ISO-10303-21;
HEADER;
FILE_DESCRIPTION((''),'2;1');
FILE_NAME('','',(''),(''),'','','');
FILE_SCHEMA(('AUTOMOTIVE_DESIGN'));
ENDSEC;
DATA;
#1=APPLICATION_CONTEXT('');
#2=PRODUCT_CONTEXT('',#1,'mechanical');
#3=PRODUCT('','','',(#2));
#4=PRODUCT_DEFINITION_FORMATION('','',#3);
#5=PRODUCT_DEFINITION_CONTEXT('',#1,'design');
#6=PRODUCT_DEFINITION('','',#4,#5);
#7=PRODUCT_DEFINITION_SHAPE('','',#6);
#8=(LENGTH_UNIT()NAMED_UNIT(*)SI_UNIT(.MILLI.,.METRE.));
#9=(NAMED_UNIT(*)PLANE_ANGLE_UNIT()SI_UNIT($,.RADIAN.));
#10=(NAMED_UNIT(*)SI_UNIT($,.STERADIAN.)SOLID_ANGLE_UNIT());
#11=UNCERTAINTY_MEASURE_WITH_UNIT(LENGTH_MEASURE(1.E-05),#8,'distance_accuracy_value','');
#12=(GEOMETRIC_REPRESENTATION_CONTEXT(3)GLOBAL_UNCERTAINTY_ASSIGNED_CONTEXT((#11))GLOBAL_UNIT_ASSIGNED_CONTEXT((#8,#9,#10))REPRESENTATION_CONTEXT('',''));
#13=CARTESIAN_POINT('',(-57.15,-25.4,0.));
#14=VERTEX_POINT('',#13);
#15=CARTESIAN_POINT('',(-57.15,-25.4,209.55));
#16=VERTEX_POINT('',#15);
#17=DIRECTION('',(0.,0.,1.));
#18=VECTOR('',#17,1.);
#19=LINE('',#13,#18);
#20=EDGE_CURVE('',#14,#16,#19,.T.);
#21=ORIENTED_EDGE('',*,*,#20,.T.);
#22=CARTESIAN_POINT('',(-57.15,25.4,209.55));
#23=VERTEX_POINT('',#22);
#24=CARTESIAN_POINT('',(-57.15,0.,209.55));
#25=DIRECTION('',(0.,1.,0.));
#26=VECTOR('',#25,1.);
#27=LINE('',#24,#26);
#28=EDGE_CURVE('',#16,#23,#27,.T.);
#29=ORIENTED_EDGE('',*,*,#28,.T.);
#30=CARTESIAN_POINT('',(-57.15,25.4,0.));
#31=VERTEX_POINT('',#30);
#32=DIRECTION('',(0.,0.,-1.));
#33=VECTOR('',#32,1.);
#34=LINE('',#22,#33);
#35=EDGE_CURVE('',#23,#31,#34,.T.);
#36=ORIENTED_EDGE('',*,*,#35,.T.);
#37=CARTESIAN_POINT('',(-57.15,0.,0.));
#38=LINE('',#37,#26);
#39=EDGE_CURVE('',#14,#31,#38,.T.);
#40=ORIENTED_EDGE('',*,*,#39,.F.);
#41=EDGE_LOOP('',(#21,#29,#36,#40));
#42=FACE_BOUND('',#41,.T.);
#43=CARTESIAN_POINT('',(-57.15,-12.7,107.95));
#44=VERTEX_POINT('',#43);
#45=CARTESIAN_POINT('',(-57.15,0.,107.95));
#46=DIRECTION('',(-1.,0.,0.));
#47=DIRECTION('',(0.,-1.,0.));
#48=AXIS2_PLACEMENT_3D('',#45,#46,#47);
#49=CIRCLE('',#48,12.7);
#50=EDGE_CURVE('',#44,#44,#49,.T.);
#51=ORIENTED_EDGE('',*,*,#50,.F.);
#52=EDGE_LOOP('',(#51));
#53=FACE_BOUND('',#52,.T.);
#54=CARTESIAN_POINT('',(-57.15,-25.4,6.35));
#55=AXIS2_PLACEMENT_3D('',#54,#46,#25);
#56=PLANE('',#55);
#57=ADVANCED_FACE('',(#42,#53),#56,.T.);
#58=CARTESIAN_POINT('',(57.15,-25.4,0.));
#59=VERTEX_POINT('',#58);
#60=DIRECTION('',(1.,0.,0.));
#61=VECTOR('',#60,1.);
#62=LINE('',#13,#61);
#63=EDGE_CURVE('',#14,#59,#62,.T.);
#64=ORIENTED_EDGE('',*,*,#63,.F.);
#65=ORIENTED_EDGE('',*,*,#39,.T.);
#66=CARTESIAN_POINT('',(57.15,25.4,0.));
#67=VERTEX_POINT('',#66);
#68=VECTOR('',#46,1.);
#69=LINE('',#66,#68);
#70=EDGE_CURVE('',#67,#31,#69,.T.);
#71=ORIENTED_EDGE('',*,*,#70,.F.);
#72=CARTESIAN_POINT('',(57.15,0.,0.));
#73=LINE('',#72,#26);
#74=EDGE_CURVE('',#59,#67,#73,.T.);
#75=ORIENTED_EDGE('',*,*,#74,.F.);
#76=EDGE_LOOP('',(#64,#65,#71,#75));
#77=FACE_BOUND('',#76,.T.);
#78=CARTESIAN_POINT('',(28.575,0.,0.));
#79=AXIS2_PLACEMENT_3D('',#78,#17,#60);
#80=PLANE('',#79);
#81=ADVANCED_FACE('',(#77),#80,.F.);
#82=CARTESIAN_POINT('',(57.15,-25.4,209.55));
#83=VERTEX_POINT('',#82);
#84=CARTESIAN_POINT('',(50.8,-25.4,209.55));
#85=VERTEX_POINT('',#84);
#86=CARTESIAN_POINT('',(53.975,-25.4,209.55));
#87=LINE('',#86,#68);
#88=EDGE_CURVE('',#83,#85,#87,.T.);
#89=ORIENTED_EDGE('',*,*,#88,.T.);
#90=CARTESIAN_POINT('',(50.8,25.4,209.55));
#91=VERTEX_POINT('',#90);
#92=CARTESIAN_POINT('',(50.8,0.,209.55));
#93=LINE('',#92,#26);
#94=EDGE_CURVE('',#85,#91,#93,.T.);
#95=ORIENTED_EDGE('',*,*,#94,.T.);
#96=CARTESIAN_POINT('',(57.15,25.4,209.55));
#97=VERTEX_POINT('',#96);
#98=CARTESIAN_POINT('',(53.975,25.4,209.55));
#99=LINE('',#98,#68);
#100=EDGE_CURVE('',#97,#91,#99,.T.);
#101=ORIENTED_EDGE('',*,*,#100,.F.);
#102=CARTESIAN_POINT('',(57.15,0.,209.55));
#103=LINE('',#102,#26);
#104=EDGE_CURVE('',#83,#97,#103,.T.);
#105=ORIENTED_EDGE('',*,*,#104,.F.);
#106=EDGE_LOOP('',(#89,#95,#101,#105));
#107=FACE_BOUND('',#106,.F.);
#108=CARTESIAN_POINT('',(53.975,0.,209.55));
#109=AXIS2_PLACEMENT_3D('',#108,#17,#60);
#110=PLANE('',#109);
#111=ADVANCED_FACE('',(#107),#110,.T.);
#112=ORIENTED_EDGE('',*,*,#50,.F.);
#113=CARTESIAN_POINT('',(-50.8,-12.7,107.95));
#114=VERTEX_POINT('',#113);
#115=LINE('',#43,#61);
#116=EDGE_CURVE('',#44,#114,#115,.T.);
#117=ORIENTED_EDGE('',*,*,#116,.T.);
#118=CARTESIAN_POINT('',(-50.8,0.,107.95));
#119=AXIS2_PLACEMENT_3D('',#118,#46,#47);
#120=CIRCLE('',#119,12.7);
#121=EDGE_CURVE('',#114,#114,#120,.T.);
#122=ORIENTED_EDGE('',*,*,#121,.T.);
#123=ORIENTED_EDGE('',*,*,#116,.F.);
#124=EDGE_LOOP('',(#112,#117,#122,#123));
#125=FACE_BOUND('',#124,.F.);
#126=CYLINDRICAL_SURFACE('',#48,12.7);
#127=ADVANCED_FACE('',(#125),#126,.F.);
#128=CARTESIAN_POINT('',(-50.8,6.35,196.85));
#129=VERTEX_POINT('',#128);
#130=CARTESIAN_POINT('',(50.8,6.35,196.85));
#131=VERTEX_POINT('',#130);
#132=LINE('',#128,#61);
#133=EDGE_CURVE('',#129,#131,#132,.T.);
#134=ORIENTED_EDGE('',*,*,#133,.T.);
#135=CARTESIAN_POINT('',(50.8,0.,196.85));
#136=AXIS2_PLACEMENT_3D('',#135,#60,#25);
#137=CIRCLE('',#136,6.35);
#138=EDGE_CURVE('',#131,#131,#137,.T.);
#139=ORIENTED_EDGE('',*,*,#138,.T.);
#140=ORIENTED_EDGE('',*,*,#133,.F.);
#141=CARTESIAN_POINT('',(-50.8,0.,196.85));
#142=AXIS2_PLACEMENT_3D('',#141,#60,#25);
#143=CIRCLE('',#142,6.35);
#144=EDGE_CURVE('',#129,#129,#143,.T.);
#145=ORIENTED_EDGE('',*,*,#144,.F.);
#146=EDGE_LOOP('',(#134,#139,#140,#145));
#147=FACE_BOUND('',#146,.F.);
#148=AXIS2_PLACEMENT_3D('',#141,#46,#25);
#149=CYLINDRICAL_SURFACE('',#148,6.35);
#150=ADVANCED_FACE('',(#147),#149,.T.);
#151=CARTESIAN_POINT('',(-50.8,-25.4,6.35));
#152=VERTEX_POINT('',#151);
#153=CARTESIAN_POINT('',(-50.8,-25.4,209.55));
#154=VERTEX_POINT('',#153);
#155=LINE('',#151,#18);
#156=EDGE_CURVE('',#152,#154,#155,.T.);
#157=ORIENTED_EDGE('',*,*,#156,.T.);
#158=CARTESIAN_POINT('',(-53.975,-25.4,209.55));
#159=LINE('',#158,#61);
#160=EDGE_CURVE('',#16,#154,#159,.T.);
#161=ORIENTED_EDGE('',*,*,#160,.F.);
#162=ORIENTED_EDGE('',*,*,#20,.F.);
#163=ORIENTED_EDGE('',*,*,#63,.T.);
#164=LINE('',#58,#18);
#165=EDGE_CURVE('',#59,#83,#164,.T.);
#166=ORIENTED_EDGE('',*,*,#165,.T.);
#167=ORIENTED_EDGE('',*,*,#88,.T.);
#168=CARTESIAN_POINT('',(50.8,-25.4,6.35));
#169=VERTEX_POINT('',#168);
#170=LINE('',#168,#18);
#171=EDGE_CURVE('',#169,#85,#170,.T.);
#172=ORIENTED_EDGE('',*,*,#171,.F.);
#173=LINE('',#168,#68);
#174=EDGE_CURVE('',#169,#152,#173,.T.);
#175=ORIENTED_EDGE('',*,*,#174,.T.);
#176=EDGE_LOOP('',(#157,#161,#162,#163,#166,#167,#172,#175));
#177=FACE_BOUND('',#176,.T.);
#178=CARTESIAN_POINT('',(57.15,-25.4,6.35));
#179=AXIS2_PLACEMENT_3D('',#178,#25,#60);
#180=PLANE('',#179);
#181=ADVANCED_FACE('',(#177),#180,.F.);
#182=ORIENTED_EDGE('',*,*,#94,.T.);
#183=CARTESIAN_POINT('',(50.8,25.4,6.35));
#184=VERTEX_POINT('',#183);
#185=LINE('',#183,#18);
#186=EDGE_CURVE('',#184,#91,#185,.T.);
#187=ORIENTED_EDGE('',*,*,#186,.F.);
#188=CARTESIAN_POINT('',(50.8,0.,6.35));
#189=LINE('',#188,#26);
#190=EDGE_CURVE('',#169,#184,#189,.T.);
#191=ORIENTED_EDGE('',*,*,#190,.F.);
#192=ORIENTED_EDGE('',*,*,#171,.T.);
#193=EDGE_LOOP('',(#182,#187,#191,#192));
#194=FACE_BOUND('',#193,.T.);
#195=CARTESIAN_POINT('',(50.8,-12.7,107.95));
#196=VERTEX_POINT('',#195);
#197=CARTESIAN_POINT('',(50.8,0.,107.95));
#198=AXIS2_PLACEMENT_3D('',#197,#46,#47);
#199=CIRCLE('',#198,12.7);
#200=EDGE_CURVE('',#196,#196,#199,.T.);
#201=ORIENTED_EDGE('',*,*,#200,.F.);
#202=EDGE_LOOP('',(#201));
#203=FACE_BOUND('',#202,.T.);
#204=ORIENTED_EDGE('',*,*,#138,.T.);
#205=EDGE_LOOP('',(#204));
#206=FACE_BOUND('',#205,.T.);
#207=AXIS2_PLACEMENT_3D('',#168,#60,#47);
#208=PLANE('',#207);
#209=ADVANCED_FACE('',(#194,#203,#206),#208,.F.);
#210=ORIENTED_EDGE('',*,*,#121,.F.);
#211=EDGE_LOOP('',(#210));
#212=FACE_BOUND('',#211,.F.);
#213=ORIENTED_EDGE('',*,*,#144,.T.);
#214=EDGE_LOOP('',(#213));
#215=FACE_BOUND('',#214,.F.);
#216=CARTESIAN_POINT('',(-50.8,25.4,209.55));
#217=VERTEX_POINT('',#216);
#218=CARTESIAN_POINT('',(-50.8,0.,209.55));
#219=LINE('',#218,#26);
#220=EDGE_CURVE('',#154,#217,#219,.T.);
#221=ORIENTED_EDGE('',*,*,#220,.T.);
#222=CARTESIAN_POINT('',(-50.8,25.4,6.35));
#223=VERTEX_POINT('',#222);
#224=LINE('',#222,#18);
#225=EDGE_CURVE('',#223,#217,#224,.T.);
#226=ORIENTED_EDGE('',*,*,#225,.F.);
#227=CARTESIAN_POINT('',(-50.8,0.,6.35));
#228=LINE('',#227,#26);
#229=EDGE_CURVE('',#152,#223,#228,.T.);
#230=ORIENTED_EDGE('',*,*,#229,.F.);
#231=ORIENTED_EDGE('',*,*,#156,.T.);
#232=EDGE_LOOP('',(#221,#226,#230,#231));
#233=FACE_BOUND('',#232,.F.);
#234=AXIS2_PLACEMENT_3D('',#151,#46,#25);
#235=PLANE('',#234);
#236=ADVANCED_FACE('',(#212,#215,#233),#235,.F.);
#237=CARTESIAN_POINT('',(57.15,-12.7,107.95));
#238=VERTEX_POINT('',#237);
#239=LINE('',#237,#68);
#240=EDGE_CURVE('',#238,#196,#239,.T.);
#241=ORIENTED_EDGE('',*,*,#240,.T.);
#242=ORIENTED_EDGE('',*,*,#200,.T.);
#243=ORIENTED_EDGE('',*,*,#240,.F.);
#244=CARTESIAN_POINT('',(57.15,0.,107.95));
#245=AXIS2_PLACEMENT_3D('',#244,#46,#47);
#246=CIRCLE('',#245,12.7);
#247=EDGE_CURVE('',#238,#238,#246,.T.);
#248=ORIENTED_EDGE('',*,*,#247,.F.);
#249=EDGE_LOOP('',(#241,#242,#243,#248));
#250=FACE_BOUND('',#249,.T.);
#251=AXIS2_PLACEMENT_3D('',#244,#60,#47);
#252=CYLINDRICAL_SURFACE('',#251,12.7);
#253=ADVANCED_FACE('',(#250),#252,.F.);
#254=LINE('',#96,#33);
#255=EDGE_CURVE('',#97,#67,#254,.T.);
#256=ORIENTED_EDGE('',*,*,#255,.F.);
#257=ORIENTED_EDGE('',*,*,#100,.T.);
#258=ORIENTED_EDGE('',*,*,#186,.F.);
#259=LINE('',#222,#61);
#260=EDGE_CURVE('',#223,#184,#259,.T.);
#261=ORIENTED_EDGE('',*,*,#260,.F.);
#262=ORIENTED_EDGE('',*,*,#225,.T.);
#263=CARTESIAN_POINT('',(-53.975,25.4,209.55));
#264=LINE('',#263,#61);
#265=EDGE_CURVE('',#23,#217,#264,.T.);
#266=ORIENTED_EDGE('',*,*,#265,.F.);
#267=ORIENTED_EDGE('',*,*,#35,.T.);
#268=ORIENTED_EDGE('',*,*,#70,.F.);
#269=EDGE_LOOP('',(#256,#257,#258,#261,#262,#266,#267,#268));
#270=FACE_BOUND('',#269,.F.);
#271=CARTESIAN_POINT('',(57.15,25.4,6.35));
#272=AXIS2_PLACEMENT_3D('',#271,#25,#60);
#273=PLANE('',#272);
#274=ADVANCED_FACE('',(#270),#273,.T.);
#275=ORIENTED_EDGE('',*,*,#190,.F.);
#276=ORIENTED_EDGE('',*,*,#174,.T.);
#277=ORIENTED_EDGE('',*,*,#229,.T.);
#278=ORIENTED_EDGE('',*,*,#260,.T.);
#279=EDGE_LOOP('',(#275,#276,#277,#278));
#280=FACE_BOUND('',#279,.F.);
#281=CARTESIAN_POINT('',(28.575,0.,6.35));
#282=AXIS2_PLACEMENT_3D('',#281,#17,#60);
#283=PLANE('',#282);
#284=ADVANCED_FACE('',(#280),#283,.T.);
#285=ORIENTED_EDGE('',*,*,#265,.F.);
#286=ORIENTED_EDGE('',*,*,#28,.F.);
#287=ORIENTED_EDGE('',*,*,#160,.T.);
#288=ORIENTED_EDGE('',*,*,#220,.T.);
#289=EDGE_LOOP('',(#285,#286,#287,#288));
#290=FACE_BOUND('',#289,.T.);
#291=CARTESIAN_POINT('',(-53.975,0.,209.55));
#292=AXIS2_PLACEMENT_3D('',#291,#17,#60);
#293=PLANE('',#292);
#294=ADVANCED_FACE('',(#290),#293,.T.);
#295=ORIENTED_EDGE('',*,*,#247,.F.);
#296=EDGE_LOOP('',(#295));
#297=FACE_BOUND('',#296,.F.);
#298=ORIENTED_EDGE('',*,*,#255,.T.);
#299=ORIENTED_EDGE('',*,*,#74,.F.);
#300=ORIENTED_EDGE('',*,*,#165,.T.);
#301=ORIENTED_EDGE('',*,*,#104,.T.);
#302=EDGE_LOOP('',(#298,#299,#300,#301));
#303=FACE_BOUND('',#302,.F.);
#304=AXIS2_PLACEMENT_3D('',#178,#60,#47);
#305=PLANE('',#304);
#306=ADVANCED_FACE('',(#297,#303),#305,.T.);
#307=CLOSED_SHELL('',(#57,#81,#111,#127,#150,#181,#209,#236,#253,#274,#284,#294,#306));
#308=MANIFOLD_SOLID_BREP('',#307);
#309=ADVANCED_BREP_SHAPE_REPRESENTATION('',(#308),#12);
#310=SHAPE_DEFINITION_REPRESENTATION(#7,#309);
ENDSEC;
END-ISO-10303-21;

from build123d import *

# Parameters (mm, degrees)
F0_W     = 57.15
F0_H     = 50.8
F1_DEPTH = 6.35
F2_W     = 6.35
F2_H     = 50.8
F3_DEPTH = 203.2
F4_R     = 12.7
F5_DEPTH = 6.35
F7_R     = 6.35
F8_DEPTH = 101.6


with BuildPart() as f1:
    # F0 (on Top) → F1 (new body)
    with BuildSketch(Plane.XY):
        with Locations((-28.575, 0)):
            Rectangle(F0_W, F0_H)
    extrude(amount=F1_DEPTH)

    # F2 (on face) → F3 (join)
    with BuildSketch(Plane.XY.offset(6.35)):
        with Locations((-53.975, 0)):
            Rectangle(F2_W, F2_H)
    extrude(amount=F3_DEPTH)

    # F4 (on face) → F5 (cut, through all)
    with BuildSketch(Plane(origin=(-57.15, 0, 0), x_dir=(0, -1, 0), z_dir=(-1, 0, 0))):
        with Locations((0, 107.95)):
            Circle(F4_R)
    extrude(amount=-F5_DEPTH, mode=Mode.SUBTRACT)

    # F6: F1 across plane


with BuildPart() as f1_1:
    add(f1.part)
    add(f1.part.mirror(Plane.YZ))

    # F7 (on face) → F8 (join, through all)
    with BuildSketch(Plane.YZ.offset(-50.8)):
        with Locations((0, 196.85)):
            Circle(F7_R)
    extrude(amount=F8_DEPTH)


solid = f1_1.part
